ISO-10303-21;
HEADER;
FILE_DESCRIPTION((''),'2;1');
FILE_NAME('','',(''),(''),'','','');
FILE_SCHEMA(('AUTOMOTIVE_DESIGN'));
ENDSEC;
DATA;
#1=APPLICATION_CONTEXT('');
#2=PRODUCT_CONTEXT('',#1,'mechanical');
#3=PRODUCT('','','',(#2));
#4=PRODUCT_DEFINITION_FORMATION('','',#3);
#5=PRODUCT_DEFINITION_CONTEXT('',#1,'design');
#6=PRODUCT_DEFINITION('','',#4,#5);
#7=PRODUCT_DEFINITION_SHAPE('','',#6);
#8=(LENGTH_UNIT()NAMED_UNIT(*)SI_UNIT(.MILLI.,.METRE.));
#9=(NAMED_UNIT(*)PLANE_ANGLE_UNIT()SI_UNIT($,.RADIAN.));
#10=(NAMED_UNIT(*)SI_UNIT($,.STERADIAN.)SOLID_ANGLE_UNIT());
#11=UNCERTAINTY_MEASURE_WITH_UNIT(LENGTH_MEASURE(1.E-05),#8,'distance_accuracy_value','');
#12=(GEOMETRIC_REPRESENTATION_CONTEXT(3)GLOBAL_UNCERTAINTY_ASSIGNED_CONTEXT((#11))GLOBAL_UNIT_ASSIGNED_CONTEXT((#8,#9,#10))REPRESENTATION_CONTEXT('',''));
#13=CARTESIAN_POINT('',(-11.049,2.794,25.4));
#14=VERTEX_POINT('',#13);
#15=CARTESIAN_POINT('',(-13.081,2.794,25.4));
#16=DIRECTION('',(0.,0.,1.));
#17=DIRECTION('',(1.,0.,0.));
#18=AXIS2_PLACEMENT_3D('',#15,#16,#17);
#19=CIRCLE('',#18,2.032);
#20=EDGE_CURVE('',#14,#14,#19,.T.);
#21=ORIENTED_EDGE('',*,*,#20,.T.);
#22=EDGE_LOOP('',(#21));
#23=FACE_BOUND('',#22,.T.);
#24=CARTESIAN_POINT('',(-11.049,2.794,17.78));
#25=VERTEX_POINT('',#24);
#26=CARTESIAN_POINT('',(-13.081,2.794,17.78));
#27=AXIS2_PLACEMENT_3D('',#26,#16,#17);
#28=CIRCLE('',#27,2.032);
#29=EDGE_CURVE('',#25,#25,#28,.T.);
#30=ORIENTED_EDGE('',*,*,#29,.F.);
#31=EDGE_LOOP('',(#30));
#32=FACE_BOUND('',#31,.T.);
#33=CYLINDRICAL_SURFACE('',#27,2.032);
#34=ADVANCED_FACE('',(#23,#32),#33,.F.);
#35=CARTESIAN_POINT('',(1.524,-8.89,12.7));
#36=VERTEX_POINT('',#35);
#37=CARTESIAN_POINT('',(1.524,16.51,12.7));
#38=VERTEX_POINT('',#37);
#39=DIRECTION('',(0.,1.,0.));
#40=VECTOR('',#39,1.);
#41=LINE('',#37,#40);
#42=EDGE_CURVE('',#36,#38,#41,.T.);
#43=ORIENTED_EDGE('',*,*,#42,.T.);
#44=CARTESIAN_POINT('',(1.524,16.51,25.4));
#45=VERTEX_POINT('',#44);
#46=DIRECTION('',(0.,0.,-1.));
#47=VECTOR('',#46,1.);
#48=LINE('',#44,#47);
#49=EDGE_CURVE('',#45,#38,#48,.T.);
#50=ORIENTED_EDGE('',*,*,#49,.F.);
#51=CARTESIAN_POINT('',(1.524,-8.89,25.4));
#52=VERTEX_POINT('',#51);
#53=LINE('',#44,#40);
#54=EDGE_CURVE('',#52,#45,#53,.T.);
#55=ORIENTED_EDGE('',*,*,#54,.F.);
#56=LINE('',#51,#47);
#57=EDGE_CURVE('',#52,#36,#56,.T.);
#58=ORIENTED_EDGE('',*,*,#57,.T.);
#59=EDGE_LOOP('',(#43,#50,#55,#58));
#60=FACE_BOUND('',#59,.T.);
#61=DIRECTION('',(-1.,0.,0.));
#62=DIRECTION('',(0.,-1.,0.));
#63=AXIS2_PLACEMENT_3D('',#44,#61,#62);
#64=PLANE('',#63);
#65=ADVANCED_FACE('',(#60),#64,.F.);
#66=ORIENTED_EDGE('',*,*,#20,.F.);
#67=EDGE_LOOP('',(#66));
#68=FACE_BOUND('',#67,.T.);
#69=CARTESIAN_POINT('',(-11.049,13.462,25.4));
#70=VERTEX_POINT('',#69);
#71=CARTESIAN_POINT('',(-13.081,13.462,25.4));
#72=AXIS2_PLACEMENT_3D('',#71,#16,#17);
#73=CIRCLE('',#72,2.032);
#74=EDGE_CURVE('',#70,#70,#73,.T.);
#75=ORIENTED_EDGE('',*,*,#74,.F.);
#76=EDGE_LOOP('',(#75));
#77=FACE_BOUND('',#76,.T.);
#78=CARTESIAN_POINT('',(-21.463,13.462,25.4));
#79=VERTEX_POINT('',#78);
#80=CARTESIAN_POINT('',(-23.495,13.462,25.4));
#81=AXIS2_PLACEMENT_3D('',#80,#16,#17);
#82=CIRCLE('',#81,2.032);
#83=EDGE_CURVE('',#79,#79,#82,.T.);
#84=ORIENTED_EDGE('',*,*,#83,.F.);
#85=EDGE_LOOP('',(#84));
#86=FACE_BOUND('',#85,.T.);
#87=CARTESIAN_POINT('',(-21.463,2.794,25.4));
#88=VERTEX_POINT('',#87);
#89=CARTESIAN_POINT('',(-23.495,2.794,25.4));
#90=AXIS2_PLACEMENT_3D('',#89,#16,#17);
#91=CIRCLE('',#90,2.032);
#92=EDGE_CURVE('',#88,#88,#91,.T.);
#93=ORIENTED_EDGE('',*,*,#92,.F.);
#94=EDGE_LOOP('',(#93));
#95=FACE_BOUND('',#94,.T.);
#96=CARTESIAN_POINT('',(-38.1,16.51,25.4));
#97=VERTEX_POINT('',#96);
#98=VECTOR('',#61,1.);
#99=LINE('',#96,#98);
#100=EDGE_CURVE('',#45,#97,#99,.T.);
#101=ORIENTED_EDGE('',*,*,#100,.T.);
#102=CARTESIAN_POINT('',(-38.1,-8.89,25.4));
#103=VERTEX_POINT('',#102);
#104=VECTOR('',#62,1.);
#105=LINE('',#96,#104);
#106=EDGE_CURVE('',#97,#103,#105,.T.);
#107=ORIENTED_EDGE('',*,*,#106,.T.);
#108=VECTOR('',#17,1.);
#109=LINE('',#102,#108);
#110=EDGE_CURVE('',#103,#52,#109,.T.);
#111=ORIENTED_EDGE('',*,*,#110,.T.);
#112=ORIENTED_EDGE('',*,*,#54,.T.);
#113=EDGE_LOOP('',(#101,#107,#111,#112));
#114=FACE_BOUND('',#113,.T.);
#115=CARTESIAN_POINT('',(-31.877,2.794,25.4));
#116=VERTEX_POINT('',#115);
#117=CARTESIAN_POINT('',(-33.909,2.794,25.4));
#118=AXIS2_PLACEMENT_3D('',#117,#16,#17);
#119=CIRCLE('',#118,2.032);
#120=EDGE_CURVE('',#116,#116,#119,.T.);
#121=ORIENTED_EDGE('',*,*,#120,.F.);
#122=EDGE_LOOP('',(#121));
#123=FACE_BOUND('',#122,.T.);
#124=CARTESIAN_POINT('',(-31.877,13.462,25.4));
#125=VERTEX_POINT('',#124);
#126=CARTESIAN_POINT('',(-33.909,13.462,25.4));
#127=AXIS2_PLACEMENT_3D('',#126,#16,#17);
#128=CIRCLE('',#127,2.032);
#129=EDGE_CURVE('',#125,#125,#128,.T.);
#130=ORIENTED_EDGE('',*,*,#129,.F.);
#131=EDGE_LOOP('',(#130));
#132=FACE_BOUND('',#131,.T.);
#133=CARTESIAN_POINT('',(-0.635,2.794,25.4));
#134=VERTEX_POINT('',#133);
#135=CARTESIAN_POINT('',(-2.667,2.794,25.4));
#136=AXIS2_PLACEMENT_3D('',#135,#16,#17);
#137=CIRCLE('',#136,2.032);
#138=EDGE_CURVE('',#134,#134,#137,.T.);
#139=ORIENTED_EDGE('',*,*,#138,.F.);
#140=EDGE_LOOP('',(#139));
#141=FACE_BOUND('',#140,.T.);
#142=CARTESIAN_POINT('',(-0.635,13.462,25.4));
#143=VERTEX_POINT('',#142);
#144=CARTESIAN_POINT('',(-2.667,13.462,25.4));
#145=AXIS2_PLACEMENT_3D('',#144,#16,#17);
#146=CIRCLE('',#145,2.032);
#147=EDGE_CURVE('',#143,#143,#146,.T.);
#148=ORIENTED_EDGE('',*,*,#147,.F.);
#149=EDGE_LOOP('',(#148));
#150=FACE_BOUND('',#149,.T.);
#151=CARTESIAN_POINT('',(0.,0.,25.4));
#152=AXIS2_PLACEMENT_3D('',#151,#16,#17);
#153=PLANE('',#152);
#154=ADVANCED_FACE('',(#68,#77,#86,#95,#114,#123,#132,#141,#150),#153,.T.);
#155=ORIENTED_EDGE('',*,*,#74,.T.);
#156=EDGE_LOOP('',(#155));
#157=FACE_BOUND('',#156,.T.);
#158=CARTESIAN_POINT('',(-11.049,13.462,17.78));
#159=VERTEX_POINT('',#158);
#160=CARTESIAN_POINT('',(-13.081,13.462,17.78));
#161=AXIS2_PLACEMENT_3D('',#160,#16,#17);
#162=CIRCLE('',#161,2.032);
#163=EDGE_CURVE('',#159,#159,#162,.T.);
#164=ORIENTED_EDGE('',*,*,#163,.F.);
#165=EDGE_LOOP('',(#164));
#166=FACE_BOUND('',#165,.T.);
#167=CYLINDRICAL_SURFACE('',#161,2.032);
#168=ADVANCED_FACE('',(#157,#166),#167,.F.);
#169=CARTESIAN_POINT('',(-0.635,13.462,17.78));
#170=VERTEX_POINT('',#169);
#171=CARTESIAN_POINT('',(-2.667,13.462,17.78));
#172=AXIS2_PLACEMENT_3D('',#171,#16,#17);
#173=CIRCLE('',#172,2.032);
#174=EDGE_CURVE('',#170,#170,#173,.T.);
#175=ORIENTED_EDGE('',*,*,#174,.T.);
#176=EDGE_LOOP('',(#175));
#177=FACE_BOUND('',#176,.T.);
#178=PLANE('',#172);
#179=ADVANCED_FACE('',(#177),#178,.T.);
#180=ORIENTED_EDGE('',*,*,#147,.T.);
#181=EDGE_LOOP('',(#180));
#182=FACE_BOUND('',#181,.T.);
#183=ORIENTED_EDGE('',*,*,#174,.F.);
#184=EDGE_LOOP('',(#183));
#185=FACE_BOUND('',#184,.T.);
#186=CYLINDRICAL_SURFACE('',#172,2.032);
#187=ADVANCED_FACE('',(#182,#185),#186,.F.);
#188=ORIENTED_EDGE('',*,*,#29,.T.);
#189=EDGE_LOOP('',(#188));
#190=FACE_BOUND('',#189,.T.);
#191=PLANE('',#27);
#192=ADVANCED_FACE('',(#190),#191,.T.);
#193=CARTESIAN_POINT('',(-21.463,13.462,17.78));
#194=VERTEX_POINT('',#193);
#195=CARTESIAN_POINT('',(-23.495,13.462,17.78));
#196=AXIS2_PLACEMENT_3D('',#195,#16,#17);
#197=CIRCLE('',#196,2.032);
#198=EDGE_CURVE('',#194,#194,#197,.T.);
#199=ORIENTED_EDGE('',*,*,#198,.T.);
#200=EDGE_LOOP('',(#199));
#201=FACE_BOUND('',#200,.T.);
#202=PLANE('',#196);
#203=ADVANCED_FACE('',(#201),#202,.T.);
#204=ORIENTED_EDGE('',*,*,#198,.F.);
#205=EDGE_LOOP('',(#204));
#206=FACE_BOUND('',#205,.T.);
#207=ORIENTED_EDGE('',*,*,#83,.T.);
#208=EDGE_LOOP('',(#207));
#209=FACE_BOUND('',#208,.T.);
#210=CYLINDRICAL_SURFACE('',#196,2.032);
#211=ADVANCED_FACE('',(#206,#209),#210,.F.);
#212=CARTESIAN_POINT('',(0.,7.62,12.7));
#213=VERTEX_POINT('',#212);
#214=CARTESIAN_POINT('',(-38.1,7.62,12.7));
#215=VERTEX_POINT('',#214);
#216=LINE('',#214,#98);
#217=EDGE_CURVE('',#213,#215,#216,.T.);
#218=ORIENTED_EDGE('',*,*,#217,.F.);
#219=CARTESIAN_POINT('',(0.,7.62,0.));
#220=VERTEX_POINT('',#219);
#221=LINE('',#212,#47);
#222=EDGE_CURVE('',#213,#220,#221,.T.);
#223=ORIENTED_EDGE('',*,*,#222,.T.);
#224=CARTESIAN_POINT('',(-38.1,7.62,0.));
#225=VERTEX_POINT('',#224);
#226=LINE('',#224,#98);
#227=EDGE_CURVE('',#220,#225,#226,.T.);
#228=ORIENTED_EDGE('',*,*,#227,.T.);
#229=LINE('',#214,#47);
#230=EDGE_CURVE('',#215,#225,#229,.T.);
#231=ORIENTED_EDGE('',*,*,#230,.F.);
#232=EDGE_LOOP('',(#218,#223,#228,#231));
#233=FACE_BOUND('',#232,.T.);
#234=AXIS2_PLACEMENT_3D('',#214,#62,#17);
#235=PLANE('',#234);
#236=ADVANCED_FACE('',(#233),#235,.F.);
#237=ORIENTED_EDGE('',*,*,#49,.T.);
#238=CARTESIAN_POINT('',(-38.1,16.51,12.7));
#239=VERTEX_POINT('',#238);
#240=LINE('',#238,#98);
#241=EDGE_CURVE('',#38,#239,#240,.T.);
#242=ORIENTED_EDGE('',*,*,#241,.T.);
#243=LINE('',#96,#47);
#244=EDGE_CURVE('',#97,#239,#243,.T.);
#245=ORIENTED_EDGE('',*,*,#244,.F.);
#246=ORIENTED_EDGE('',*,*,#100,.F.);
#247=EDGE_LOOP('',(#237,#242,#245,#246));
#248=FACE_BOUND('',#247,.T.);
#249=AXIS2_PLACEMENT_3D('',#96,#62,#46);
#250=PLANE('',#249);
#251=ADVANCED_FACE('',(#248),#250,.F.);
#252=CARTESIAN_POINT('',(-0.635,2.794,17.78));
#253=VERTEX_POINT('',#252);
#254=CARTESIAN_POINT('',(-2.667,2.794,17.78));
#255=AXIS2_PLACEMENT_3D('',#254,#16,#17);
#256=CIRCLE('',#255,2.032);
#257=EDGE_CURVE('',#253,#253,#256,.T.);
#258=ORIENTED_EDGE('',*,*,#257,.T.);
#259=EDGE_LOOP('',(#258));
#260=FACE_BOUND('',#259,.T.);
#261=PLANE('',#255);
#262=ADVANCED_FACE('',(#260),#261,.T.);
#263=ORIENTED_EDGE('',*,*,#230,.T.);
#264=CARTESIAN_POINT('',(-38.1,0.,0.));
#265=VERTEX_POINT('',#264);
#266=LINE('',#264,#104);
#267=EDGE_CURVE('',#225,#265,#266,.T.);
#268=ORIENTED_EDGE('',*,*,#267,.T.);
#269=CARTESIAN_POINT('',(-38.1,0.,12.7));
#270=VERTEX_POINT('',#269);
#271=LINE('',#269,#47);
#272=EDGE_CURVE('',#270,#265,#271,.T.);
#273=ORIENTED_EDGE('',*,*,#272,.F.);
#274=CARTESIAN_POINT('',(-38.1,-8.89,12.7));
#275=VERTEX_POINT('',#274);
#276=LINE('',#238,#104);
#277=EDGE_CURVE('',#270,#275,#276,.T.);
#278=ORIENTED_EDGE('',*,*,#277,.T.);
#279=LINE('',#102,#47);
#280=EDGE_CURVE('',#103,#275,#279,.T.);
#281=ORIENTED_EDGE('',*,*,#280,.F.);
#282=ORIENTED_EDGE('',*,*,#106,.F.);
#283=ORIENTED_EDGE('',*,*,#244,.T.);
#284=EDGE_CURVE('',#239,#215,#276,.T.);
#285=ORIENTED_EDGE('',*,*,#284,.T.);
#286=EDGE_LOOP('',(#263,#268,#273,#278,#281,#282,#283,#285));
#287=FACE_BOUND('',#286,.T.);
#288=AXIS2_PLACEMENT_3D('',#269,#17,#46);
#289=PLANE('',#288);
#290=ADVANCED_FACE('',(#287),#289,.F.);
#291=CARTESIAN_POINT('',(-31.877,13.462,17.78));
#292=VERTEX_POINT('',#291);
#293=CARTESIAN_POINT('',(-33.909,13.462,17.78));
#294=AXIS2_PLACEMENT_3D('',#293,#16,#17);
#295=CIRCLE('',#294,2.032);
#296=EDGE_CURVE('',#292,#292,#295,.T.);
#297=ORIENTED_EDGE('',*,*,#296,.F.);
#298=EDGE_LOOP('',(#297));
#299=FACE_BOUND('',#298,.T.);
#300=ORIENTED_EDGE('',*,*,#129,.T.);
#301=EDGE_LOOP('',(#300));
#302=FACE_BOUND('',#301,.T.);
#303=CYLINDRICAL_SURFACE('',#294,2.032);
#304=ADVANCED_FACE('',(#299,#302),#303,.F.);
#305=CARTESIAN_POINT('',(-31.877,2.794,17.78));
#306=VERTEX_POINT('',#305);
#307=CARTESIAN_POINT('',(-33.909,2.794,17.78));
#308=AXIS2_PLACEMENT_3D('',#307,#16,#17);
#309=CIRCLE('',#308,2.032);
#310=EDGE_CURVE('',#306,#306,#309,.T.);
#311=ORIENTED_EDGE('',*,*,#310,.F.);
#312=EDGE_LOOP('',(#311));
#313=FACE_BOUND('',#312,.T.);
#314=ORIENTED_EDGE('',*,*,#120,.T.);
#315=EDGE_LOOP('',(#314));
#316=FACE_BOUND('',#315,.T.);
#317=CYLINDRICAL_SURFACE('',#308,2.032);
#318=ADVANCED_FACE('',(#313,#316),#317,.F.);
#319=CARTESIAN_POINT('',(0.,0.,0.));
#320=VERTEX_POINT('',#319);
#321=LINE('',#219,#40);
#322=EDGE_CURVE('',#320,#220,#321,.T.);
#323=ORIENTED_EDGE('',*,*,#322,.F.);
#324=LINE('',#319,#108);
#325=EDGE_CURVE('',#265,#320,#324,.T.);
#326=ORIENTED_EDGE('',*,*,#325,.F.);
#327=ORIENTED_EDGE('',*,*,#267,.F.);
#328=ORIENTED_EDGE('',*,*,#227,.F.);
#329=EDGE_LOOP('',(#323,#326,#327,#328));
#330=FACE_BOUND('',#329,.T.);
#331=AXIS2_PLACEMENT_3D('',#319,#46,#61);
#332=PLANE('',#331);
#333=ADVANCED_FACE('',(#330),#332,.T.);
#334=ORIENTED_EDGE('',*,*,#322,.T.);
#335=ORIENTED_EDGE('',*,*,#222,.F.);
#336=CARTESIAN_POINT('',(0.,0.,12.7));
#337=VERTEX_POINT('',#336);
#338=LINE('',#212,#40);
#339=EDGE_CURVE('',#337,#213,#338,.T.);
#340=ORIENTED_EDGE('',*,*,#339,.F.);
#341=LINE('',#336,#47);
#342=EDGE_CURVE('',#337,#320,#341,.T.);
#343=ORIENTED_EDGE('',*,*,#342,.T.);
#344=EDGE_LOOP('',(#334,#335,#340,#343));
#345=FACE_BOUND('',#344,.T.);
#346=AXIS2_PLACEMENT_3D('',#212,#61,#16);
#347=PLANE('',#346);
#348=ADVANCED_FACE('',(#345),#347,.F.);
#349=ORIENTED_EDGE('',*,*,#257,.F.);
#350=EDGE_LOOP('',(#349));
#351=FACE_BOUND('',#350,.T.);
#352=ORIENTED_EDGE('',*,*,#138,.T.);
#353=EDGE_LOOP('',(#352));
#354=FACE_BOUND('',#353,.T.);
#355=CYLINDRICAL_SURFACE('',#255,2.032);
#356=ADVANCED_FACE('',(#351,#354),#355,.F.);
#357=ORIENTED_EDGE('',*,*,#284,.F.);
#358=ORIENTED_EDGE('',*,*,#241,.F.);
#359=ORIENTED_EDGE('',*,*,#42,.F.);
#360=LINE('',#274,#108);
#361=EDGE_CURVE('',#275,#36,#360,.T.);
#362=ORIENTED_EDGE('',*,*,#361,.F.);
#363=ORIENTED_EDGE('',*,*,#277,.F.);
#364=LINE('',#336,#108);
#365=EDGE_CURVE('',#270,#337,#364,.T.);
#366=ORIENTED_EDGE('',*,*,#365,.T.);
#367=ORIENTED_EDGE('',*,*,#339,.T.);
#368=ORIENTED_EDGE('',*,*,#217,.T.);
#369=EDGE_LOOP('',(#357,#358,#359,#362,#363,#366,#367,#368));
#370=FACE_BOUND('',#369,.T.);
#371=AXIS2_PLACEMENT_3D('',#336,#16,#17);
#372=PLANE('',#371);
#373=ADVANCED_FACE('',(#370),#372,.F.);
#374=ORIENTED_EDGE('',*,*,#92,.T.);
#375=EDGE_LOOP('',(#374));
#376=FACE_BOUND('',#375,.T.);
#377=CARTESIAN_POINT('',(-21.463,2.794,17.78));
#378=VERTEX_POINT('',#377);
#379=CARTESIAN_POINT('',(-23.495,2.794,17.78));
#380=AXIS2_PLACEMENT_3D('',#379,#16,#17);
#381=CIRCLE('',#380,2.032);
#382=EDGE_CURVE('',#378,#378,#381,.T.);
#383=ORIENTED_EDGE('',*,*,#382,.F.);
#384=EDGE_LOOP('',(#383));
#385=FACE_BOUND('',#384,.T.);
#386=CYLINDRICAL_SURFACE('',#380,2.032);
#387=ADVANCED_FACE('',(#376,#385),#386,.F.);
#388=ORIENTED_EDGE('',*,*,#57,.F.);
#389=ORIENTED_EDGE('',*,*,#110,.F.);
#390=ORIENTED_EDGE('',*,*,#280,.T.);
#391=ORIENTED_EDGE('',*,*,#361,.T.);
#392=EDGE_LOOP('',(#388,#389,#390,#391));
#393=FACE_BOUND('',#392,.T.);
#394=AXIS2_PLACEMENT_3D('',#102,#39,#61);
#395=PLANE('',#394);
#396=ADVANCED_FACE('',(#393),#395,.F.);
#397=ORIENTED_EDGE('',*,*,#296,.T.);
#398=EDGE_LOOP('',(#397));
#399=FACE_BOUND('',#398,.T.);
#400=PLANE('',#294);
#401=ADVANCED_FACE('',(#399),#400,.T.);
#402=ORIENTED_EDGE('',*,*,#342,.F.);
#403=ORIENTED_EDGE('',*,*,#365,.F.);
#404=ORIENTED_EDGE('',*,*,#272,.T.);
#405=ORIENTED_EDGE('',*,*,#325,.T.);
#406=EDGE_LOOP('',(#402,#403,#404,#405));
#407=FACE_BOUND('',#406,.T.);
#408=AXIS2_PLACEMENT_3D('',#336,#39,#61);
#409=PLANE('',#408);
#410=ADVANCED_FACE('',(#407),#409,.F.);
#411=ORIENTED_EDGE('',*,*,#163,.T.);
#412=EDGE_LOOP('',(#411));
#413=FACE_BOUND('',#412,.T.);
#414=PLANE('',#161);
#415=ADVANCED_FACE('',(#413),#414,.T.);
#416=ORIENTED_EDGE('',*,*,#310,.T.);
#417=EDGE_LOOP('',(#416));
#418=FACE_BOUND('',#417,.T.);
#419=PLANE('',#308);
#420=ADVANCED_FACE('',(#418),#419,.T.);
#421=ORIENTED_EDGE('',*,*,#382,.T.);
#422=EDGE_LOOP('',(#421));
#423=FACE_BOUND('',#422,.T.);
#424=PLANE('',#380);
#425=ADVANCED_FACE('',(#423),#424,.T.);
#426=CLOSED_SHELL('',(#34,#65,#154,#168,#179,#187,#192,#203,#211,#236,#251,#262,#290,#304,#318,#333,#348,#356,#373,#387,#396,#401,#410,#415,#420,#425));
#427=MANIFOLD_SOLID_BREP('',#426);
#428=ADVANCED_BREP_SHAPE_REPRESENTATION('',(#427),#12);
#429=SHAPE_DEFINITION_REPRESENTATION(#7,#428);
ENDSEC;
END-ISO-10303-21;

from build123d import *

# Parameters (mm, degrees)
SKETCH1_W           = 38.1
SKETCH1_H           = 7.62
BOSS_EXTRUDE1_DEPTH = 12.7
SKETCH2_W           = 39.624
SKETCH2_H           = 25.4
BOSS_EXTRUDE2_DEPTH = 12.7
SKETCH3_R           = 2.032
CUT_EXTRUDE1_DEPTH  = 7.62


with BuildPart() as part:
    # Sketch1 → Boss-Extrude1 (new body)
    with BuildSketch(Plane.XY):
        with Locations((-19.05, 3.81)):
            Rectangle(SKETCH1_W, SKETCH1_H)
    extrude(amount=BOSS_EXTRUDE1_DEPTH)

    # Sketch2 → Boss-Extrude2 (add)
    with BuildSketch(Plane.XY.offset(12.7)):
        with Locations((-18.288, 3.81)):
            Rectangle(SKETCH2_W, SKETCH2_H)
    extrude(amount=BOSS_EXTRUDE2_DEPTH)

    # Sketch3 → Cut-Extrude1 (cut)
    with BuildSketch(Plane.XY.offset(25.4)):
        with Locations((-33.909, 13.462)):
            Circle(SKETCH3_R)
        with Locations((-23.495, 13.462)):
            Circle(SKETCH3_R)
        with Locations((-2.667, 13.462)):
            Circle(SKETCH3_R)
        with Locations((-13.081, 2.794)):
            Circle(SKETCH3_R)
        with Locations((-23.495, 2.794)):
            Circle(SKETCH3_R)
        with Locations((-33.909, 2.794)):
            Circle(SKETCH3_R)
        with Locations((-13.081, 13.462)):
            Circle(SKETCH3_R)
        with Locations((-2.667, 2.794)):
            Circle(SKETCH3_R)
    extrude(amount=-CUT_EXTRUDE1_DEPTH, mode=Mode.SUBTRACT)


solid = part.part
